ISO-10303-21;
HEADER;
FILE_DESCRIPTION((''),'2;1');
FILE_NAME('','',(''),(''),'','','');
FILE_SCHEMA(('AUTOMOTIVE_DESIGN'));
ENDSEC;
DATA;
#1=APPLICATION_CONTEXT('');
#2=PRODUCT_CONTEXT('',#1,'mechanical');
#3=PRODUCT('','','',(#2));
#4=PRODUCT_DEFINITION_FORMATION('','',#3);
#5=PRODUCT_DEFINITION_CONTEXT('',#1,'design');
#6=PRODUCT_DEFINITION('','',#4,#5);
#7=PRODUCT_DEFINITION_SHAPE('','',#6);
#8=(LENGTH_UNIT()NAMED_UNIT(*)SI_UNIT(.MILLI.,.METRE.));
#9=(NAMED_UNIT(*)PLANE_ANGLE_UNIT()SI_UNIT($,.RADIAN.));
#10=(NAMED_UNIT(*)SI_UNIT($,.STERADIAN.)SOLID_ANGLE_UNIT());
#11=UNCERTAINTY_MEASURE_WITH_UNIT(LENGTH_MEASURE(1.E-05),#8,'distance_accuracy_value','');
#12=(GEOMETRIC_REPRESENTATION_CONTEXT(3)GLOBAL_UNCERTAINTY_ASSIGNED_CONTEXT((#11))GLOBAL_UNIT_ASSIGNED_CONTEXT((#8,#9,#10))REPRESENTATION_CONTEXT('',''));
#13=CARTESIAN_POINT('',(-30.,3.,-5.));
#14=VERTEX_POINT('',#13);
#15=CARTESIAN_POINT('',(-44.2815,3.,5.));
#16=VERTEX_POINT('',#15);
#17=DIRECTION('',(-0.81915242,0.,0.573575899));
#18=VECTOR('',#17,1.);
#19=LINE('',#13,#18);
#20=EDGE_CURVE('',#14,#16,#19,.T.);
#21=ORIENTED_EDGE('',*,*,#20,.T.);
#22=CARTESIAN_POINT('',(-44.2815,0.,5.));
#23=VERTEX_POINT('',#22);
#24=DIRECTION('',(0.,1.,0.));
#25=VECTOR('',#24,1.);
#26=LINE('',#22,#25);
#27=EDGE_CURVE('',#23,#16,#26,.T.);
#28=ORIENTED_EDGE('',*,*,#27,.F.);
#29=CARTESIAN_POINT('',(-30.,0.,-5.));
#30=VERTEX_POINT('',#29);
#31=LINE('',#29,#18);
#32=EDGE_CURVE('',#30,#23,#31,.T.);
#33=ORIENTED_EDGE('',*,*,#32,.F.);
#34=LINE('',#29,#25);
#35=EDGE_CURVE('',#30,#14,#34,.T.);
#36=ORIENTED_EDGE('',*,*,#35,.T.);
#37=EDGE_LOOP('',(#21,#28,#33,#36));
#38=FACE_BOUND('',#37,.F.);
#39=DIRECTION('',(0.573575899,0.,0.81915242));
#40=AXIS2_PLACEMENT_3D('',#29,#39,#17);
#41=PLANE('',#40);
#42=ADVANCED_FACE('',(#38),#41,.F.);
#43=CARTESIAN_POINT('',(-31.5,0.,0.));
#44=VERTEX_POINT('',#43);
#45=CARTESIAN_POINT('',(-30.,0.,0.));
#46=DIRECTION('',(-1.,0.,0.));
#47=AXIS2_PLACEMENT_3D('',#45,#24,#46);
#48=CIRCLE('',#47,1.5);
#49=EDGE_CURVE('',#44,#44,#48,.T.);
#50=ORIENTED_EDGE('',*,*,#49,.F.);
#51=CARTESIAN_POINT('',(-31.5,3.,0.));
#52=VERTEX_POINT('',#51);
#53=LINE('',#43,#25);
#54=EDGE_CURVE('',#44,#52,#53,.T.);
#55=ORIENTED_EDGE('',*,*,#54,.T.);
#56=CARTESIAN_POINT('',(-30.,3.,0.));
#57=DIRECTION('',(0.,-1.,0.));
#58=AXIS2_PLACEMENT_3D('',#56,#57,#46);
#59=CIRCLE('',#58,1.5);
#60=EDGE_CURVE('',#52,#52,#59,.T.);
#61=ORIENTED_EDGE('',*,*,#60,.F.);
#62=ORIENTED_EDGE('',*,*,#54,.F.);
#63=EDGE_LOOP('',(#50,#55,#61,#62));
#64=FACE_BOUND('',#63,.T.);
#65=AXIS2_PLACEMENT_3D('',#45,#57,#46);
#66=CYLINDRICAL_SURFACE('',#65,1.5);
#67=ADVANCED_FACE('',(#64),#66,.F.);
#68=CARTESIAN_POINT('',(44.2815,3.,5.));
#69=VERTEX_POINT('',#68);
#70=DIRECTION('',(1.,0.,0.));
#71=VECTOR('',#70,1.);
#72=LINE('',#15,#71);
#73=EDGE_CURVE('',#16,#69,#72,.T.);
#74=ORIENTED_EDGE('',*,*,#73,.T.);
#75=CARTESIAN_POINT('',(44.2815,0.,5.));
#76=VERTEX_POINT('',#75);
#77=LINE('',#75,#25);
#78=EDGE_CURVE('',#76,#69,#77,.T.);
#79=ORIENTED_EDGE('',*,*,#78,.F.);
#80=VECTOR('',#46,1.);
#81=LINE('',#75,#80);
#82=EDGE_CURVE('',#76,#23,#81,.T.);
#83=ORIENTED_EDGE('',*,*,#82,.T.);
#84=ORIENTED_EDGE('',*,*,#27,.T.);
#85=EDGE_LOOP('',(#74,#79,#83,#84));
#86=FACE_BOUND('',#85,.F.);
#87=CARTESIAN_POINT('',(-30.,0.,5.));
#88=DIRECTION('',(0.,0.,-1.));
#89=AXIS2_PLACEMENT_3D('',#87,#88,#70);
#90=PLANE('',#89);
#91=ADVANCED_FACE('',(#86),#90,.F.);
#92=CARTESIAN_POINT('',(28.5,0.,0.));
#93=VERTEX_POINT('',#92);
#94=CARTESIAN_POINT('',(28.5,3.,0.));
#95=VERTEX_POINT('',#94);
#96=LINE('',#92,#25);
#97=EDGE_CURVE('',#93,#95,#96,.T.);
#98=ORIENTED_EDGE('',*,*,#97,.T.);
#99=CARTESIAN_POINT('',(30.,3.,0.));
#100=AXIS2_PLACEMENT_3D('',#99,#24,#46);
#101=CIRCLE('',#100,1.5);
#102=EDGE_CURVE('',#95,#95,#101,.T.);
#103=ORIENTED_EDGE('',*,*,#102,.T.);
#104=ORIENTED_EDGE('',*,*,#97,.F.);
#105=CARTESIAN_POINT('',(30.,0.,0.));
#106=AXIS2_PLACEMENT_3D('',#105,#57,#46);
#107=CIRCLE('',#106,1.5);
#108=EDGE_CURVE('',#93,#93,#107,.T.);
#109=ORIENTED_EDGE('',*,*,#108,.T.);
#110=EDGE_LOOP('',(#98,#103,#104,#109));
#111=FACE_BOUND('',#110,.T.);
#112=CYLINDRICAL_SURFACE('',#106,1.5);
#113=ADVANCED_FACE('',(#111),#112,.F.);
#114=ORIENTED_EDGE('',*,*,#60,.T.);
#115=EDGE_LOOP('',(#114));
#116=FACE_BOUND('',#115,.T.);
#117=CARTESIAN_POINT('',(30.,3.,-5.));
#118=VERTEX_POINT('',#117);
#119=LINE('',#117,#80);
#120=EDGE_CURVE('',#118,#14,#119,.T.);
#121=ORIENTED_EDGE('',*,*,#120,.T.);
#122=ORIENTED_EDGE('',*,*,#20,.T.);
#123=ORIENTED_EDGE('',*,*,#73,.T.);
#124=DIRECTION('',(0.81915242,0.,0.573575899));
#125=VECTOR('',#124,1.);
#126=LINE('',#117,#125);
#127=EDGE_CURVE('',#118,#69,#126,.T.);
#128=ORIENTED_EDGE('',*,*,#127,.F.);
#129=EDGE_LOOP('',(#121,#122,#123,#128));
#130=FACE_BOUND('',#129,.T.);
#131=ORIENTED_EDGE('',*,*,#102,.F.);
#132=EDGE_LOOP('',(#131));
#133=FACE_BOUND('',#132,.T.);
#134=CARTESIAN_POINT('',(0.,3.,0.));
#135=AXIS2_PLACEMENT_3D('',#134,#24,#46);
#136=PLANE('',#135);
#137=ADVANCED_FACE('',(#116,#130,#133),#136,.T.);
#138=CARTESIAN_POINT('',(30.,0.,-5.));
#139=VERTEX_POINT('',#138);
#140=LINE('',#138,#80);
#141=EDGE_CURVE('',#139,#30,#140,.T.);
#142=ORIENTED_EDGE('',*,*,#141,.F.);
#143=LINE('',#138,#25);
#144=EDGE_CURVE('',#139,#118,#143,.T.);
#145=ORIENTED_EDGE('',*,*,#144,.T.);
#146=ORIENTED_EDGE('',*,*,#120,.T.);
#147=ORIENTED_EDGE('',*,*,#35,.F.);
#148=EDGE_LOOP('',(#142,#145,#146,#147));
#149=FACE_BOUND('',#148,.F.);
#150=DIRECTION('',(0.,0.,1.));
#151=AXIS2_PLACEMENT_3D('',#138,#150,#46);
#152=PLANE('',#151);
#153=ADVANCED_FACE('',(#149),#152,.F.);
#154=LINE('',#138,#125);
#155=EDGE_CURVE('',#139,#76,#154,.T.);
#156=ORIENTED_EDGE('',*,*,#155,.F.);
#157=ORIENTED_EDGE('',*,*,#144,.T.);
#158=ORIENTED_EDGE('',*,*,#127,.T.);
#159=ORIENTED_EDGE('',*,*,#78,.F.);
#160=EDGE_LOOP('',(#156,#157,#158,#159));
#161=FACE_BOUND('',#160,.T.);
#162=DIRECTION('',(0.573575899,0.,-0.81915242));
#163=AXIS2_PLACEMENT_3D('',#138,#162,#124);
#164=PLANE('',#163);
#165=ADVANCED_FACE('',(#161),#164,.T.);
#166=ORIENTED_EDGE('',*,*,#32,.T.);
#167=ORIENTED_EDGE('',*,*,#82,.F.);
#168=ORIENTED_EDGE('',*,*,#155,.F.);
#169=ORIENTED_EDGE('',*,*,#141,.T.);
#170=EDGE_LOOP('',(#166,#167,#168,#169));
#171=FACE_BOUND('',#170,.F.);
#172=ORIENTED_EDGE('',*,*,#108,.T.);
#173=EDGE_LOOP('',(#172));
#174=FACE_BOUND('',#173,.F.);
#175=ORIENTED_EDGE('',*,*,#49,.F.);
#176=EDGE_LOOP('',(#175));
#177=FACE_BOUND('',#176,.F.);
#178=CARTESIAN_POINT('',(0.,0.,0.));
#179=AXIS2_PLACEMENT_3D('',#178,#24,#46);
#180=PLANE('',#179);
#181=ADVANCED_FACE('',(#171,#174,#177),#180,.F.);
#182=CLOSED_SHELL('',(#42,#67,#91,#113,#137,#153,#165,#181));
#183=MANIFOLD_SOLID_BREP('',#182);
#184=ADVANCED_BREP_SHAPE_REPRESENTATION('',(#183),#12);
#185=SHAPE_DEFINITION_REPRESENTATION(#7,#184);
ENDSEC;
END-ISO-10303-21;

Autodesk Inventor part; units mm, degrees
ref_plane "YZ Plane" through (0, 0, 0) normal (1, 0, 0) x (0, 1, 0)
ref_plane "XZ Plane" through (0, 0, 0) normal (0, 1, 0) x (-1, 0, 0)
ref_plane "XY Plane" through (0, 0, 0) normal (0, 0, 1) x (1, 0, 0)
sketch "Эскиз1" plane through (0, 0, 0) normal (0, 1, 0) x (-1, 0, 0)
  line L0 (-30, -5) -> (30, -5)
  line L1 (30, -5) -> (30, 5)
  line L2 (30, 5) -> (-30, 5)
  line L3 (-30, 5) -> (-30, -5)
  line L4 (-30, -5) -> (30, 5) construction
  line L5 (30, -5) -> (-30, 5) construction
  line L6 (30, 5) -> (44.2815, 5)
  line L7 (30, -5) -> (44.2815, 5)
  line L8 (30, -5) -> (49.277, -5) construction
  line L9 (-30, 5) -> (-44.2815, 5)
  line L10 (-30, -5) -> (-44.2815, 5)
  line L11 (-30, -5) -> (0.6976, -5) construction
  circle A0 centre (30, 0) radius 1.5
  circle A1 centre (-30, 0) radius 1.5
  point P0 (0, 0)
  dimension "d0" = 60
  dimension "d1" = 10
  dimension "d3" = 35
  dimension "d4" = 145
  dimension "d7" = 3
  dimension "d8" = 3
extrude "Выдавливание1" add sketch "Эскиз1" along normal blind 3 contours L3 A1 L2 L1 A0 L0 | L10 L9 L3 A1 | L1 A0 L6 L7
properties part number "Flash"
